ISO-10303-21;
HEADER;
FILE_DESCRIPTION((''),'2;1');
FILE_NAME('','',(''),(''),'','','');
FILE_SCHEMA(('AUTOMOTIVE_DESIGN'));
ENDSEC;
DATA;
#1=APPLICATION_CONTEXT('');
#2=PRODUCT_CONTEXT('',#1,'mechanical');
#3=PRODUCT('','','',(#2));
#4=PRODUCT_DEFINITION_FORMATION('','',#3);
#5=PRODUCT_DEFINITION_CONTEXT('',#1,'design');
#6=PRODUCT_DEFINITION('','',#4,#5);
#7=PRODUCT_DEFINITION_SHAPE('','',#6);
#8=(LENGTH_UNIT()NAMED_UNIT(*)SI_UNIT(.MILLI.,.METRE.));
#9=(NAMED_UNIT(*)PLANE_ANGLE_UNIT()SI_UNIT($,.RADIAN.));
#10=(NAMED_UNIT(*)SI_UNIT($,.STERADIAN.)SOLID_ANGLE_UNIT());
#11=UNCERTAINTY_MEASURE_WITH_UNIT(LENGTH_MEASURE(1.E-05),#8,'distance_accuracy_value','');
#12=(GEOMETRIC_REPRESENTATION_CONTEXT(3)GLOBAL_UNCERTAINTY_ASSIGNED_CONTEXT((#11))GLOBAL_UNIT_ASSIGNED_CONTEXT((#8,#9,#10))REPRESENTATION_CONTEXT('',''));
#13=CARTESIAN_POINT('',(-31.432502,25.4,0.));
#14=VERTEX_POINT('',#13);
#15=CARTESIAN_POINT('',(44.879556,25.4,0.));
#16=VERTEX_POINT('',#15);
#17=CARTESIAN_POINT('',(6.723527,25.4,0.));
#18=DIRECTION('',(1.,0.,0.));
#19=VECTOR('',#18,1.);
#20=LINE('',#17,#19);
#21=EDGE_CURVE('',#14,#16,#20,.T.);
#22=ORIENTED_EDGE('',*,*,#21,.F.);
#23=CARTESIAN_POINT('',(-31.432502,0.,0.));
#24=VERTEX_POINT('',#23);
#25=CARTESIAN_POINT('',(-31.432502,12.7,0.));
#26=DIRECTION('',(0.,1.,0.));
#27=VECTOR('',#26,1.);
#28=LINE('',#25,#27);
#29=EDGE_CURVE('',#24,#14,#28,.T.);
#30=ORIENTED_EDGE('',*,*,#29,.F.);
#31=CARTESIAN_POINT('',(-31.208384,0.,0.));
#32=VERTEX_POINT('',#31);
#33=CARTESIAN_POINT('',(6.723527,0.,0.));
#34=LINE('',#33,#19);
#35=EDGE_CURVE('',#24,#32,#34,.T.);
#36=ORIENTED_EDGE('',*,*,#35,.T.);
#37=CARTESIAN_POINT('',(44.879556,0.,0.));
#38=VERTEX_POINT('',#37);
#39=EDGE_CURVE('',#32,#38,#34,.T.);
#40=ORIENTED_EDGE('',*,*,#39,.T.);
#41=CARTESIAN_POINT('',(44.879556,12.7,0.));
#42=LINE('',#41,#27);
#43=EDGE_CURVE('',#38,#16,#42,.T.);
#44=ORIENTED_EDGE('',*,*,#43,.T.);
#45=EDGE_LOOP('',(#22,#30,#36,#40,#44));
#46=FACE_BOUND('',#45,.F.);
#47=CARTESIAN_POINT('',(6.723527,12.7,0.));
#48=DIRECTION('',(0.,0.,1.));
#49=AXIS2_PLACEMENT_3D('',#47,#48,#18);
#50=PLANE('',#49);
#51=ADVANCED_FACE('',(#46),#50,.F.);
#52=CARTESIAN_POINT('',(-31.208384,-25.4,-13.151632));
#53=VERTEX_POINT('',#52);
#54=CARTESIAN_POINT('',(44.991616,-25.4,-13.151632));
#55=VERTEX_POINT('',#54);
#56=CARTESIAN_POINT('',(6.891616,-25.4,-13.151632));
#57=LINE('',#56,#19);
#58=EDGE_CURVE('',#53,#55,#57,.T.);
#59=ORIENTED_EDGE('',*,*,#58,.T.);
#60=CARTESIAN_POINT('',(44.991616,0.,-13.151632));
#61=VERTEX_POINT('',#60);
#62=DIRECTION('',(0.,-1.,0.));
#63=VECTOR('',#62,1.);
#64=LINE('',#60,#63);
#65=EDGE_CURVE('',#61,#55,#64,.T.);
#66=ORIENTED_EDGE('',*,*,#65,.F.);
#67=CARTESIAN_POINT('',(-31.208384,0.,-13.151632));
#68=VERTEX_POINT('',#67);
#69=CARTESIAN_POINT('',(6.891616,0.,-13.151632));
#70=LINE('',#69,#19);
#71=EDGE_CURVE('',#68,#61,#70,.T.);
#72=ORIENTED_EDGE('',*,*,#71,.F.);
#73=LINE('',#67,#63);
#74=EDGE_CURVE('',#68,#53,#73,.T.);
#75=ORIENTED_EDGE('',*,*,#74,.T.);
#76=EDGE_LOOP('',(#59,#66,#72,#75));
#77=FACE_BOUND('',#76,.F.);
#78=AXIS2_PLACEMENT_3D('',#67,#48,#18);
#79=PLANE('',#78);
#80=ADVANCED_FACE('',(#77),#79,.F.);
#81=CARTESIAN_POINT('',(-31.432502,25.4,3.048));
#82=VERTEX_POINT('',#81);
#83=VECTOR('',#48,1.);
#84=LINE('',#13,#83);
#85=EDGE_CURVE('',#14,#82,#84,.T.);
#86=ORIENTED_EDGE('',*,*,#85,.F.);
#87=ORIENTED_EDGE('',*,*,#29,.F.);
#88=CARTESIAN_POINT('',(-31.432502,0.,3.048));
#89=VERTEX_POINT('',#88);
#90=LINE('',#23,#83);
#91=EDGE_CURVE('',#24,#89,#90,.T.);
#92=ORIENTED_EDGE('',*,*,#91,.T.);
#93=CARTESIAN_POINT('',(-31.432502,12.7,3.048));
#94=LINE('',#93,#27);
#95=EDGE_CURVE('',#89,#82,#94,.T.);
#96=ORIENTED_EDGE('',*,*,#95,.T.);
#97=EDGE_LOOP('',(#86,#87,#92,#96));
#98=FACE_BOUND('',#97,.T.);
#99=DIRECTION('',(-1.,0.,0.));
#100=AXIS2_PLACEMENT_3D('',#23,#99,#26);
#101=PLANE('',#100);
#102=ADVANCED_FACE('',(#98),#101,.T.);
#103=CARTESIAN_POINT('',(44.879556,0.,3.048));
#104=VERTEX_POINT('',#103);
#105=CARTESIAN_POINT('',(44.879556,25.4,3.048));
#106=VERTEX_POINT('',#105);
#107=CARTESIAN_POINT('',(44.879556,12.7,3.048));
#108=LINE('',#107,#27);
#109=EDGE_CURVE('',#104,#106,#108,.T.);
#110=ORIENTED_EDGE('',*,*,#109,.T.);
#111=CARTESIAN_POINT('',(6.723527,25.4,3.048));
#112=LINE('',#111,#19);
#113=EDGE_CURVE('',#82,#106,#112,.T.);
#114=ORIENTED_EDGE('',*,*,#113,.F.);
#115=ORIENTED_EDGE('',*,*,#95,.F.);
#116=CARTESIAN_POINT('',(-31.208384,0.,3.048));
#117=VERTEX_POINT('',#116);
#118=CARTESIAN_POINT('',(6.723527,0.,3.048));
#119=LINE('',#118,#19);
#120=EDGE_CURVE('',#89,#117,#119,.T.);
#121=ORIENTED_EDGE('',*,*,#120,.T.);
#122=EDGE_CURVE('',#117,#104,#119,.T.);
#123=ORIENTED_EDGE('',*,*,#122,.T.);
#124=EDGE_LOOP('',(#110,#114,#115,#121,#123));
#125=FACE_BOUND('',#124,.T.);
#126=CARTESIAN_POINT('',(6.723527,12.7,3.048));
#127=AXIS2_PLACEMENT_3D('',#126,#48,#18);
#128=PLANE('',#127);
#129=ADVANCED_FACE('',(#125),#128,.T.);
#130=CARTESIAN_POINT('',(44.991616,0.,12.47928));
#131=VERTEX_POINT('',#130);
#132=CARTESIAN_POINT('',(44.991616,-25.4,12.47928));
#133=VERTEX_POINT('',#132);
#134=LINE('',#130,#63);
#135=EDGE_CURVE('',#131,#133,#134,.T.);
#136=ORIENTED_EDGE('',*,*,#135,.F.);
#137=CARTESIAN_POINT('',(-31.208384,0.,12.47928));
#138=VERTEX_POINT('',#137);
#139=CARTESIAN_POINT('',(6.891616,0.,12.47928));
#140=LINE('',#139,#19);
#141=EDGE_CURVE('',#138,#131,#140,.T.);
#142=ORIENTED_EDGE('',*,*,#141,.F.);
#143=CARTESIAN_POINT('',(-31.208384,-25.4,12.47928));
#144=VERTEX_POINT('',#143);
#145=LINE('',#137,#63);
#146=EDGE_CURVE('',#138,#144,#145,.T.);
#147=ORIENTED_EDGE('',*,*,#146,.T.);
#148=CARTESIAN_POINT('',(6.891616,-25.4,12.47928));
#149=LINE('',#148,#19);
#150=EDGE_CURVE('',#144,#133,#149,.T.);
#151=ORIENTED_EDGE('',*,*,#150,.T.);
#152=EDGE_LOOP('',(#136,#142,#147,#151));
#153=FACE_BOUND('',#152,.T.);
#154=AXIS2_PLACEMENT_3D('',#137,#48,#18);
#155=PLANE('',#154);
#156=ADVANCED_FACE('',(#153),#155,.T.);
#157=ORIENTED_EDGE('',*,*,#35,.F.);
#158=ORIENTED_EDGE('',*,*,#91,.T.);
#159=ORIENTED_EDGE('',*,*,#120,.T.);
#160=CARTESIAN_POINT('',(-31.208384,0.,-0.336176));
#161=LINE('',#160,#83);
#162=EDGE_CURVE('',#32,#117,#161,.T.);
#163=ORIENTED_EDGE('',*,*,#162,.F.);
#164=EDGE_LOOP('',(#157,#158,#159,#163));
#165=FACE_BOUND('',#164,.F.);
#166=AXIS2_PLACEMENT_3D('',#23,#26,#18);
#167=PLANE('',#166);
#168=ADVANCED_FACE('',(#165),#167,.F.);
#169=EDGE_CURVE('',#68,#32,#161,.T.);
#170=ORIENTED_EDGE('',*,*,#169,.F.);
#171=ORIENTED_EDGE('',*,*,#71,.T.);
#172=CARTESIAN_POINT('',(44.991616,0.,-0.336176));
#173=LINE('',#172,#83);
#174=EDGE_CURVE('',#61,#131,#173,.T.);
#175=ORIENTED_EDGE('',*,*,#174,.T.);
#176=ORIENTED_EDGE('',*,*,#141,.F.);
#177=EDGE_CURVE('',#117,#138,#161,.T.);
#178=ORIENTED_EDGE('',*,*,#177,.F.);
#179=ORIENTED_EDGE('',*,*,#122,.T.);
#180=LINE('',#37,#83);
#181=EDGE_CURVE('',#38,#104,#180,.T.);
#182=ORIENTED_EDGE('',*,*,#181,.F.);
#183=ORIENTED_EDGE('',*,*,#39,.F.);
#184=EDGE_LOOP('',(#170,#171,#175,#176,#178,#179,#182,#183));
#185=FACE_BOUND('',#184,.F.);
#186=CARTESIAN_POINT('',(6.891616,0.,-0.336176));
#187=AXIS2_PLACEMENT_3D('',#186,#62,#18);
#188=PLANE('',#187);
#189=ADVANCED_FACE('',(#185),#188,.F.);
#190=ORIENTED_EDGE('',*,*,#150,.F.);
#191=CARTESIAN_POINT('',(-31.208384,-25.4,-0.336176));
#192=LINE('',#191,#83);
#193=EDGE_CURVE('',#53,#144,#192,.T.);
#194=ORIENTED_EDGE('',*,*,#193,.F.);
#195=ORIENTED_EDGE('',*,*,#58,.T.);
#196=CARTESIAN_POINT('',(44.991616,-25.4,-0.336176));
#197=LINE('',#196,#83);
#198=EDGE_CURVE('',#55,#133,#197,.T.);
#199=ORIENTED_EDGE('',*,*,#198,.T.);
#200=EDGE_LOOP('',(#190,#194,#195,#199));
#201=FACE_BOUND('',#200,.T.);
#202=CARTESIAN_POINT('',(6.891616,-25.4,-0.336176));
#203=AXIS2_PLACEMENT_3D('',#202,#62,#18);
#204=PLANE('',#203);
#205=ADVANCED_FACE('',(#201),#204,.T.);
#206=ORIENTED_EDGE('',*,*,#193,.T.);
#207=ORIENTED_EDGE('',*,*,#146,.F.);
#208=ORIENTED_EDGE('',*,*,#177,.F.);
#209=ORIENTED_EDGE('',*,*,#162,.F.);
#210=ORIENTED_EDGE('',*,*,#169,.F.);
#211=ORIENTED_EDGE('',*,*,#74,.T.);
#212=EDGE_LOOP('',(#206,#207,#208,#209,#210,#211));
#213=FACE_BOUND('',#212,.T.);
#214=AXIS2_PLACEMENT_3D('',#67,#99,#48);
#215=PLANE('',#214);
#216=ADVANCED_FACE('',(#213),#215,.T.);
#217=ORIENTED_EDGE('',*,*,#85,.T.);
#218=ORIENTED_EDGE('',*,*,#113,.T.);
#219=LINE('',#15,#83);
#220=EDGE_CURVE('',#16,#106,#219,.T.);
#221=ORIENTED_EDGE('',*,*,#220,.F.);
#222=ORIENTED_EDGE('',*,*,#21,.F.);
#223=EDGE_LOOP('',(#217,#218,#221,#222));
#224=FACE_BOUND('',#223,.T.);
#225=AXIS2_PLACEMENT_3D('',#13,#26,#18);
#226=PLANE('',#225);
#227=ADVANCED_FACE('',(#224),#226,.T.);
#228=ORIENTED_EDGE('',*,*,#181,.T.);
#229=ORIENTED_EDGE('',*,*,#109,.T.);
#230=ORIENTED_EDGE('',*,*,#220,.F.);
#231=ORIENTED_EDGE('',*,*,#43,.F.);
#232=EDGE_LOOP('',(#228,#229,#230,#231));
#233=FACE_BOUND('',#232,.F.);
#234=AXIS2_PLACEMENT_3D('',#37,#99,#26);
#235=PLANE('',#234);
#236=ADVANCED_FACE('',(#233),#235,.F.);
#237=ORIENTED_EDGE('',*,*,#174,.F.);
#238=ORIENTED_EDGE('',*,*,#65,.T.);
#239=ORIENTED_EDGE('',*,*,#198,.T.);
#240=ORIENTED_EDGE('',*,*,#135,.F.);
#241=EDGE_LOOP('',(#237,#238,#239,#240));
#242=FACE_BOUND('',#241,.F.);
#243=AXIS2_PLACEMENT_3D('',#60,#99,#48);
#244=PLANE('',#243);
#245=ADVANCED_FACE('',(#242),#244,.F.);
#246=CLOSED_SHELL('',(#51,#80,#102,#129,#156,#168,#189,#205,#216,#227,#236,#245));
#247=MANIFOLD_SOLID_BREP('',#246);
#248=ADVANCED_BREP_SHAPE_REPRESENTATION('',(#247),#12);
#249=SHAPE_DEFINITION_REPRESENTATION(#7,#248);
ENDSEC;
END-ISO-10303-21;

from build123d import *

# Parameters (mm, degrees)
F0_W     = 76.2
F0_H     = 25.630911
F1_DEPTH = 25.4
F2_W     = 76.312058
F2_H     = 25.4
F3_DEPTH = 3.048


with BuildPart() as f1:
    # F0 (on Front) → F1 (new body)
    with BuildSketch(Plane.XZ):
        with Locations((6.891616, -0.336176)):
            Rectangle(F0_W, F0_H)
    extrude(amount=F1_DEPTH)

    # F2 (on Top) → F3 (join)
    with BuildSketch(Plane.XY):
        with Locations((6.723527, 12.7)):
            Rectangle(F2_W, F2_H)
    extrude(amount=F3_DEPTH)


solid = f1.part
